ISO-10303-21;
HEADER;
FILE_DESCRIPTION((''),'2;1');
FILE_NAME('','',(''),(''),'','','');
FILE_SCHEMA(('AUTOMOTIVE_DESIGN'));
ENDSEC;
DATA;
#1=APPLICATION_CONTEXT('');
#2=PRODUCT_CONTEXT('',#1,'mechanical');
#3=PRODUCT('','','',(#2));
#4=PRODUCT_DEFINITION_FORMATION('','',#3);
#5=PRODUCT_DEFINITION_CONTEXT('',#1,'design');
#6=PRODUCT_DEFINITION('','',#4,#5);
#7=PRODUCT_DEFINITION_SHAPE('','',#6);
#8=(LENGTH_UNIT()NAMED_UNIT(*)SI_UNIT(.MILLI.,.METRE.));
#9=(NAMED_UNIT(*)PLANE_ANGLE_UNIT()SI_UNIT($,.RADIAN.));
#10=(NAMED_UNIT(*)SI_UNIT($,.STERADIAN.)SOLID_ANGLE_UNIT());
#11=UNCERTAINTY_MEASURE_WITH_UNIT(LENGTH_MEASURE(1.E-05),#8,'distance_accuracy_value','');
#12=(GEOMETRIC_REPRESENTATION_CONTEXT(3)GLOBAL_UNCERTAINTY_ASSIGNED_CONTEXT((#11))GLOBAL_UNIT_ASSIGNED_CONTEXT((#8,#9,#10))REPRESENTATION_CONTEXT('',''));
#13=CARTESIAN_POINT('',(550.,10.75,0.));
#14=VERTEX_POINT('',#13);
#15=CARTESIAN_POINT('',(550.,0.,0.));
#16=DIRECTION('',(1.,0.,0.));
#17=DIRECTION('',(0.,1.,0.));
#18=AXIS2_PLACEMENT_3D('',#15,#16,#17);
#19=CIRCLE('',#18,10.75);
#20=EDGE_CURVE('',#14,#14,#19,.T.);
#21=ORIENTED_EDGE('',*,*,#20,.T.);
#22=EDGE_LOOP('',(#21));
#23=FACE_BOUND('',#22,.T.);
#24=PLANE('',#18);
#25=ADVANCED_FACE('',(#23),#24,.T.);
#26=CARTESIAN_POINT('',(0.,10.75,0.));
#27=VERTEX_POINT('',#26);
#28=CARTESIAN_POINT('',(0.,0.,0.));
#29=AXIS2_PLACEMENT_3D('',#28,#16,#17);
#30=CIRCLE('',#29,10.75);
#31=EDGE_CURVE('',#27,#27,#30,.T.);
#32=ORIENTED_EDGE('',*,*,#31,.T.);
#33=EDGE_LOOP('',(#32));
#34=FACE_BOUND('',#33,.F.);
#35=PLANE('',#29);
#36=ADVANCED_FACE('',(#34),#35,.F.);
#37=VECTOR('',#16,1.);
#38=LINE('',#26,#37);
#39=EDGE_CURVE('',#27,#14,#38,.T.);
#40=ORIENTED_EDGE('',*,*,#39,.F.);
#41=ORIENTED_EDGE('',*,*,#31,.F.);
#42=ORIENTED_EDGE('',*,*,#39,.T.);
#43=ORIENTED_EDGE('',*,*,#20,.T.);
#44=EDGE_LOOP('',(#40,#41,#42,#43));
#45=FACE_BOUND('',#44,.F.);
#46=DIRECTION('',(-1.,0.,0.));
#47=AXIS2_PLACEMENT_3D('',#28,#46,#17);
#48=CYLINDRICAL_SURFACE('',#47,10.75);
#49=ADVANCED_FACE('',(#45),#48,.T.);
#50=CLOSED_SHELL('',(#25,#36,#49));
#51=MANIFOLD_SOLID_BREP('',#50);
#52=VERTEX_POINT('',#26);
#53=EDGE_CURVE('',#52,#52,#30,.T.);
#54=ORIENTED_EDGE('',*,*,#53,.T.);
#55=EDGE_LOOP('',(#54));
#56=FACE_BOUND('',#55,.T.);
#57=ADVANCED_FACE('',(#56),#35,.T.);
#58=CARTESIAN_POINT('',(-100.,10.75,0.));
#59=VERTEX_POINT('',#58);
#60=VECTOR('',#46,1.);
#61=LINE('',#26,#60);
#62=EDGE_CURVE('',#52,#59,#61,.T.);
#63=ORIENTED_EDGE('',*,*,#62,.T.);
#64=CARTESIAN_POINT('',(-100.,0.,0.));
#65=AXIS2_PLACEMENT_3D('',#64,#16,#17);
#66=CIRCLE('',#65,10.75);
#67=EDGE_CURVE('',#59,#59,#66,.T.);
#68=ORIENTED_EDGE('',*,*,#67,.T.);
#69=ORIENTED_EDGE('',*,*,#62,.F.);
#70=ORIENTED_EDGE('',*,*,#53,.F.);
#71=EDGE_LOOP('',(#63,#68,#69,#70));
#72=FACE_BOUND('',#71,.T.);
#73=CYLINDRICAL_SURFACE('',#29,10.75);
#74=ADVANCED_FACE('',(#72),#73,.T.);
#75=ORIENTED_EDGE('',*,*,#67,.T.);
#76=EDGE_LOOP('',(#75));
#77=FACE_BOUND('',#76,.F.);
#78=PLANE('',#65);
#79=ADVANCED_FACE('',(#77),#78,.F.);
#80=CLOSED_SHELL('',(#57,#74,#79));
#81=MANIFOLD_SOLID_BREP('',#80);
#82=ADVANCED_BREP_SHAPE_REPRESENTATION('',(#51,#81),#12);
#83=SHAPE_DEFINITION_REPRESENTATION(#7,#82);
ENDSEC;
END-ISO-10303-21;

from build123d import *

# Parameters (mm, degrees)
F0_R     = 10.75
F1_DEPTH = 550
F2_DEPTH = 100


with BuildPart() as f1:
    # F0 (on Right) → F1 (new body)
    with BuildSketch(Plane.YZ):
        Circle(F0_R)
    extrude(amount=F1_DEPTH)


with BuildPart() as f2:
    # F0 (on Right) → F2 (new body)
    with BuildSketch(Plane.YZ):
        Circle(F0_R)
    extrude(amount=-F2_DEPTH)


solid = Compound([f1.part, f2.part])
